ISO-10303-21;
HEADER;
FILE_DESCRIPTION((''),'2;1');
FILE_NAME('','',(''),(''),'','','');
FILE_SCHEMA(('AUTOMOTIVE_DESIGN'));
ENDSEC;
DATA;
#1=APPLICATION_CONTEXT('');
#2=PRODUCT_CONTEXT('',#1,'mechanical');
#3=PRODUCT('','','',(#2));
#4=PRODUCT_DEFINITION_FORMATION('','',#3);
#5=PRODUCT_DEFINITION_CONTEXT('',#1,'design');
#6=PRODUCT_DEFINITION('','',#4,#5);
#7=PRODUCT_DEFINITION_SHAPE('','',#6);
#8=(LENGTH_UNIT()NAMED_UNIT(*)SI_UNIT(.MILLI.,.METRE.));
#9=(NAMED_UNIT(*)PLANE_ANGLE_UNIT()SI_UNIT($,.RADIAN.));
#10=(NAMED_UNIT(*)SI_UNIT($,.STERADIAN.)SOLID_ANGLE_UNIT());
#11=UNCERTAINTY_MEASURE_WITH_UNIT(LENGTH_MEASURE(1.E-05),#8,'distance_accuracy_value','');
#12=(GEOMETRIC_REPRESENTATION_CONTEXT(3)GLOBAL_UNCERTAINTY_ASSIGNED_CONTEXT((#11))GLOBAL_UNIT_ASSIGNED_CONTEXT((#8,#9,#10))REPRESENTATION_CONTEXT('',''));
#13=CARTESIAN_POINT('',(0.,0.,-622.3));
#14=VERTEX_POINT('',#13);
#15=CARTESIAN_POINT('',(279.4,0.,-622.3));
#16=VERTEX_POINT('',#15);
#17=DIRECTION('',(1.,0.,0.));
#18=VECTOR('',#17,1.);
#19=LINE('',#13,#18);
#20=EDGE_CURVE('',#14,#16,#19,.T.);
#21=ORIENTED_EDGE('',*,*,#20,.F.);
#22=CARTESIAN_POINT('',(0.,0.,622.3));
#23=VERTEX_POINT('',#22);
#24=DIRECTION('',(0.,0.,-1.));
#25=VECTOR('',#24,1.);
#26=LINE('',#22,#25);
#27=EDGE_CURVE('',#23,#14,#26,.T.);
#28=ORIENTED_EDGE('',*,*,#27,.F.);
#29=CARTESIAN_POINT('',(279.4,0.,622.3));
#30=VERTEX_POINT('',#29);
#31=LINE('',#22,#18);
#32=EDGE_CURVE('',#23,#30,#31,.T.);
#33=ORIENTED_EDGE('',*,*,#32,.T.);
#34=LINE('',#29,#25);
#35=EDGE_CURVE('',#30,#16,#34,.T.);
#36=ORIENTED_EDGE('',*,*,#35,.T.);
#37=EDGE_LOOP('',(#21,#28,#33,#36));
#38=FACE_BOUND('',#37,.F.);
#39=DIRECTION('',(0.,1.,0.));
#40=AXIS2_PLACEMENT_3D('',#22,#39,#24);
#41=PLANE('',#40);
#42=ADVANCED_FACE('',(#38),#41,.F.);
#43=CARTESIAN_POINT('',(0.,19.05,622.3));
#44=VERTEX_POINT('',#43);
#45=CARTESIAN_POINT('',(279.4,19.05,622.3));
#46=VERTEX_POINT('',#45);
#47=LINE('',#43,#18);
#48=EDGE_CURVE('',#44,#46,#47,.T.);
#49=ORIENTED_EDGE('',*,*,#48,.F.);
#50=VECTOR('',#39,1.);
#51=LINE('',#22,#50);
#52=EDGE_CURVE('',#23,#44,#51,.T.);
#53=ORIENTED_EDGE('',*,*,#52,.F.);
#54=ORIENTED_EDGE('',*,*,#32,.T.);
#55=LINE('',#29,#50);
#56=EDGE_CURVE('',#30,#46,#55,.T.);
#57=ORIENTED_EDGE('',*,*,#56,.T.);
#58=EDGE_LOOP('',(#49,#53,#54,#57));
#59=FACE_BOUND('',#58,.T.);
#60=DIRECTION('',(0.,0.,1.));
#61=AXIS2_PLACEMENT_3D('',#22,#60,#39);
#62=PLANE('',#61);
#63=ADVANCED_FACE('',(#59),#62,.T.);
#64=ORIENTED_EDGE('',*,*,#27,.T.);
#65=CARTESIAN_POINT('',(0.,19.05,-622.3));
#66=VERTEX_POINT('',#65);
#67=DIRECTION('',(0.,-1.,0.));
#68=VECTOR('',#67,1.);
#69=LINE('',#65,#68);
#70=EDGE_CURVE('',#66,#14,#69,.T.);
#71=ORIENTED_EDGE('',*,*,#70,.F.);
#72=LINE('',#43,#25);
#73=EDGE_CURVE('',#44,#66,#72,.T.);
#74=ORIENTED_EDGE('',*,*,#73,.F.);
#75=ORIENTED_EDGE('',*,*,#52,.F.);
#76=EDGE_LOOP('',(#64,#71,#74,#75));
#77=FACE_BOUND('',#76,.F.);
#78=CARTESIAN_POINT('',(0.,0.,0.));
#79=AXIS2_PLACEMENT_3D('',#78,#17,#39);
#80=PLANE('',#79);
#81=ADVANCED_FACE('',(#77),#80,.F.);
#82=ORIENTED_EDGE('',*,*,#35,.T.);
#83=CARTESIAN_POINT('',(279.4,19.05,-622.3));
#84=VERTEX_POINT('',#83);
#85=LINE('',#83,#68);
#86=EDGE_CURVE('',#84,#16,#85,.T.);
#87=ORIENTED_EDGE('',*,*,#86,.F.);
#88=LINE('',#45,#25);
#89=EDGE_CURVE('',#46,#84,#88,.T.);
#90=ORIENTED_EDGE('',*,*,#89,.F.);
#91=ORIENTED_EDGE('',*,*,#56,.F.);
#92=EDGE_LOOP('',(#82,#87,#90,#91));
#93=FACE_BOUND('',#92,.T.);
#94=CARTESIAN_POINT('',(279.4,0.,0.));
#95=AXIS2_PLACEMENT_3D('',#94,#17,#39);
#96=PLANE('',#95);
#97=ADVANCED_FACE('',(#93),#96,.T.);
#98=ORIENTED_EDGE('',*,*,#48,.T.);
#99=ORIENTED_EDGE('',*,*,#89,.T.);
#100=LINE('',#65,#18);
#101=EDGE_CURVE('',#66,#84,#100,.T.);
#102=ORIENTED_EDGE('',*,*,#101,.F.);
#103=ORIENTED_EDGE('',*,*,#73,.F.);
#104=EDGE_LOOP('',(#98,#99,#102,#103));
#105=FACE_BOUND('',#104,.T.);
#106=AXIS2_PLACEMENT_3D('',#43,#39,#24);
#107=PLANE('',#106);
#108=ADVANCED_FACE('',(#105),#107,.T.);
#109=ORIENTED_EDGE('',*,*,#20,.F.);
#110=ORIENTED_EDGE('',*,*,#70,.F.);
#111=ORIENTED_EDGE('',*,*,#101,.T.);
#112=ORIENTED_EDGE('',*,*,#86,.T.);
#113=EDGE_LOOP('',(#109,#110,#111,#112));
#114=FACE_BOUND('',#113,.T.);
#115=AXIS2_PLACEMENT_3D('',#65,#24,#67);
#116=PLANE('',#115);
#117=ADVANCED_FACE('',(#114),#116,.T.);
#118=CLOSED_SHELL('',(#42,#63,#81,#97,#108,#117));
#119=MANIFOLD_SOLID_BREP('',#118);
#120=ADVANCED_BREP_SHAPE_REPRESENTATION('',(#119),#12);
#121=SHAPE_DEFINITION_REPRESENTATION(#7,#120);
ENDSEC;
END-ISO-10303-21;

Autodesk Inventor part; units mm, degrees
ref_plane "YZ Plane" through (0, 0, 0) normal (1, 0, 0) x (0, 1, 0)
ref_plane "XZ Plane" through (0, 0, 0) normal (0, 1, 0) x (-1, 0, 0)
ref_plane "XY Plane" through (0, 0, 0) normal (0, 0, 1) x (1, 0, 0)
sketch "Sketch1" plane through (0, 0, 0) normal (1, 0, 0) x (0, 1, 0)
  line L0 (0, 622.3) -> (0, -622.3)
  line L1 (0, 622.3) -> (19.05, 622.3)
  line L2 (19.05, 622.3) -> (19.05, -622.3)
  line L3 (19.05, -622.3) -> (0, -622.3)
  point P0 (0, 0)
  dimension "d0" = 1244.6
  dimension "d1" = 19.05
extrude "Extrusion1" add sketch "Sketch1" along normal blind 279.4
properties part number "SIDE SH"
